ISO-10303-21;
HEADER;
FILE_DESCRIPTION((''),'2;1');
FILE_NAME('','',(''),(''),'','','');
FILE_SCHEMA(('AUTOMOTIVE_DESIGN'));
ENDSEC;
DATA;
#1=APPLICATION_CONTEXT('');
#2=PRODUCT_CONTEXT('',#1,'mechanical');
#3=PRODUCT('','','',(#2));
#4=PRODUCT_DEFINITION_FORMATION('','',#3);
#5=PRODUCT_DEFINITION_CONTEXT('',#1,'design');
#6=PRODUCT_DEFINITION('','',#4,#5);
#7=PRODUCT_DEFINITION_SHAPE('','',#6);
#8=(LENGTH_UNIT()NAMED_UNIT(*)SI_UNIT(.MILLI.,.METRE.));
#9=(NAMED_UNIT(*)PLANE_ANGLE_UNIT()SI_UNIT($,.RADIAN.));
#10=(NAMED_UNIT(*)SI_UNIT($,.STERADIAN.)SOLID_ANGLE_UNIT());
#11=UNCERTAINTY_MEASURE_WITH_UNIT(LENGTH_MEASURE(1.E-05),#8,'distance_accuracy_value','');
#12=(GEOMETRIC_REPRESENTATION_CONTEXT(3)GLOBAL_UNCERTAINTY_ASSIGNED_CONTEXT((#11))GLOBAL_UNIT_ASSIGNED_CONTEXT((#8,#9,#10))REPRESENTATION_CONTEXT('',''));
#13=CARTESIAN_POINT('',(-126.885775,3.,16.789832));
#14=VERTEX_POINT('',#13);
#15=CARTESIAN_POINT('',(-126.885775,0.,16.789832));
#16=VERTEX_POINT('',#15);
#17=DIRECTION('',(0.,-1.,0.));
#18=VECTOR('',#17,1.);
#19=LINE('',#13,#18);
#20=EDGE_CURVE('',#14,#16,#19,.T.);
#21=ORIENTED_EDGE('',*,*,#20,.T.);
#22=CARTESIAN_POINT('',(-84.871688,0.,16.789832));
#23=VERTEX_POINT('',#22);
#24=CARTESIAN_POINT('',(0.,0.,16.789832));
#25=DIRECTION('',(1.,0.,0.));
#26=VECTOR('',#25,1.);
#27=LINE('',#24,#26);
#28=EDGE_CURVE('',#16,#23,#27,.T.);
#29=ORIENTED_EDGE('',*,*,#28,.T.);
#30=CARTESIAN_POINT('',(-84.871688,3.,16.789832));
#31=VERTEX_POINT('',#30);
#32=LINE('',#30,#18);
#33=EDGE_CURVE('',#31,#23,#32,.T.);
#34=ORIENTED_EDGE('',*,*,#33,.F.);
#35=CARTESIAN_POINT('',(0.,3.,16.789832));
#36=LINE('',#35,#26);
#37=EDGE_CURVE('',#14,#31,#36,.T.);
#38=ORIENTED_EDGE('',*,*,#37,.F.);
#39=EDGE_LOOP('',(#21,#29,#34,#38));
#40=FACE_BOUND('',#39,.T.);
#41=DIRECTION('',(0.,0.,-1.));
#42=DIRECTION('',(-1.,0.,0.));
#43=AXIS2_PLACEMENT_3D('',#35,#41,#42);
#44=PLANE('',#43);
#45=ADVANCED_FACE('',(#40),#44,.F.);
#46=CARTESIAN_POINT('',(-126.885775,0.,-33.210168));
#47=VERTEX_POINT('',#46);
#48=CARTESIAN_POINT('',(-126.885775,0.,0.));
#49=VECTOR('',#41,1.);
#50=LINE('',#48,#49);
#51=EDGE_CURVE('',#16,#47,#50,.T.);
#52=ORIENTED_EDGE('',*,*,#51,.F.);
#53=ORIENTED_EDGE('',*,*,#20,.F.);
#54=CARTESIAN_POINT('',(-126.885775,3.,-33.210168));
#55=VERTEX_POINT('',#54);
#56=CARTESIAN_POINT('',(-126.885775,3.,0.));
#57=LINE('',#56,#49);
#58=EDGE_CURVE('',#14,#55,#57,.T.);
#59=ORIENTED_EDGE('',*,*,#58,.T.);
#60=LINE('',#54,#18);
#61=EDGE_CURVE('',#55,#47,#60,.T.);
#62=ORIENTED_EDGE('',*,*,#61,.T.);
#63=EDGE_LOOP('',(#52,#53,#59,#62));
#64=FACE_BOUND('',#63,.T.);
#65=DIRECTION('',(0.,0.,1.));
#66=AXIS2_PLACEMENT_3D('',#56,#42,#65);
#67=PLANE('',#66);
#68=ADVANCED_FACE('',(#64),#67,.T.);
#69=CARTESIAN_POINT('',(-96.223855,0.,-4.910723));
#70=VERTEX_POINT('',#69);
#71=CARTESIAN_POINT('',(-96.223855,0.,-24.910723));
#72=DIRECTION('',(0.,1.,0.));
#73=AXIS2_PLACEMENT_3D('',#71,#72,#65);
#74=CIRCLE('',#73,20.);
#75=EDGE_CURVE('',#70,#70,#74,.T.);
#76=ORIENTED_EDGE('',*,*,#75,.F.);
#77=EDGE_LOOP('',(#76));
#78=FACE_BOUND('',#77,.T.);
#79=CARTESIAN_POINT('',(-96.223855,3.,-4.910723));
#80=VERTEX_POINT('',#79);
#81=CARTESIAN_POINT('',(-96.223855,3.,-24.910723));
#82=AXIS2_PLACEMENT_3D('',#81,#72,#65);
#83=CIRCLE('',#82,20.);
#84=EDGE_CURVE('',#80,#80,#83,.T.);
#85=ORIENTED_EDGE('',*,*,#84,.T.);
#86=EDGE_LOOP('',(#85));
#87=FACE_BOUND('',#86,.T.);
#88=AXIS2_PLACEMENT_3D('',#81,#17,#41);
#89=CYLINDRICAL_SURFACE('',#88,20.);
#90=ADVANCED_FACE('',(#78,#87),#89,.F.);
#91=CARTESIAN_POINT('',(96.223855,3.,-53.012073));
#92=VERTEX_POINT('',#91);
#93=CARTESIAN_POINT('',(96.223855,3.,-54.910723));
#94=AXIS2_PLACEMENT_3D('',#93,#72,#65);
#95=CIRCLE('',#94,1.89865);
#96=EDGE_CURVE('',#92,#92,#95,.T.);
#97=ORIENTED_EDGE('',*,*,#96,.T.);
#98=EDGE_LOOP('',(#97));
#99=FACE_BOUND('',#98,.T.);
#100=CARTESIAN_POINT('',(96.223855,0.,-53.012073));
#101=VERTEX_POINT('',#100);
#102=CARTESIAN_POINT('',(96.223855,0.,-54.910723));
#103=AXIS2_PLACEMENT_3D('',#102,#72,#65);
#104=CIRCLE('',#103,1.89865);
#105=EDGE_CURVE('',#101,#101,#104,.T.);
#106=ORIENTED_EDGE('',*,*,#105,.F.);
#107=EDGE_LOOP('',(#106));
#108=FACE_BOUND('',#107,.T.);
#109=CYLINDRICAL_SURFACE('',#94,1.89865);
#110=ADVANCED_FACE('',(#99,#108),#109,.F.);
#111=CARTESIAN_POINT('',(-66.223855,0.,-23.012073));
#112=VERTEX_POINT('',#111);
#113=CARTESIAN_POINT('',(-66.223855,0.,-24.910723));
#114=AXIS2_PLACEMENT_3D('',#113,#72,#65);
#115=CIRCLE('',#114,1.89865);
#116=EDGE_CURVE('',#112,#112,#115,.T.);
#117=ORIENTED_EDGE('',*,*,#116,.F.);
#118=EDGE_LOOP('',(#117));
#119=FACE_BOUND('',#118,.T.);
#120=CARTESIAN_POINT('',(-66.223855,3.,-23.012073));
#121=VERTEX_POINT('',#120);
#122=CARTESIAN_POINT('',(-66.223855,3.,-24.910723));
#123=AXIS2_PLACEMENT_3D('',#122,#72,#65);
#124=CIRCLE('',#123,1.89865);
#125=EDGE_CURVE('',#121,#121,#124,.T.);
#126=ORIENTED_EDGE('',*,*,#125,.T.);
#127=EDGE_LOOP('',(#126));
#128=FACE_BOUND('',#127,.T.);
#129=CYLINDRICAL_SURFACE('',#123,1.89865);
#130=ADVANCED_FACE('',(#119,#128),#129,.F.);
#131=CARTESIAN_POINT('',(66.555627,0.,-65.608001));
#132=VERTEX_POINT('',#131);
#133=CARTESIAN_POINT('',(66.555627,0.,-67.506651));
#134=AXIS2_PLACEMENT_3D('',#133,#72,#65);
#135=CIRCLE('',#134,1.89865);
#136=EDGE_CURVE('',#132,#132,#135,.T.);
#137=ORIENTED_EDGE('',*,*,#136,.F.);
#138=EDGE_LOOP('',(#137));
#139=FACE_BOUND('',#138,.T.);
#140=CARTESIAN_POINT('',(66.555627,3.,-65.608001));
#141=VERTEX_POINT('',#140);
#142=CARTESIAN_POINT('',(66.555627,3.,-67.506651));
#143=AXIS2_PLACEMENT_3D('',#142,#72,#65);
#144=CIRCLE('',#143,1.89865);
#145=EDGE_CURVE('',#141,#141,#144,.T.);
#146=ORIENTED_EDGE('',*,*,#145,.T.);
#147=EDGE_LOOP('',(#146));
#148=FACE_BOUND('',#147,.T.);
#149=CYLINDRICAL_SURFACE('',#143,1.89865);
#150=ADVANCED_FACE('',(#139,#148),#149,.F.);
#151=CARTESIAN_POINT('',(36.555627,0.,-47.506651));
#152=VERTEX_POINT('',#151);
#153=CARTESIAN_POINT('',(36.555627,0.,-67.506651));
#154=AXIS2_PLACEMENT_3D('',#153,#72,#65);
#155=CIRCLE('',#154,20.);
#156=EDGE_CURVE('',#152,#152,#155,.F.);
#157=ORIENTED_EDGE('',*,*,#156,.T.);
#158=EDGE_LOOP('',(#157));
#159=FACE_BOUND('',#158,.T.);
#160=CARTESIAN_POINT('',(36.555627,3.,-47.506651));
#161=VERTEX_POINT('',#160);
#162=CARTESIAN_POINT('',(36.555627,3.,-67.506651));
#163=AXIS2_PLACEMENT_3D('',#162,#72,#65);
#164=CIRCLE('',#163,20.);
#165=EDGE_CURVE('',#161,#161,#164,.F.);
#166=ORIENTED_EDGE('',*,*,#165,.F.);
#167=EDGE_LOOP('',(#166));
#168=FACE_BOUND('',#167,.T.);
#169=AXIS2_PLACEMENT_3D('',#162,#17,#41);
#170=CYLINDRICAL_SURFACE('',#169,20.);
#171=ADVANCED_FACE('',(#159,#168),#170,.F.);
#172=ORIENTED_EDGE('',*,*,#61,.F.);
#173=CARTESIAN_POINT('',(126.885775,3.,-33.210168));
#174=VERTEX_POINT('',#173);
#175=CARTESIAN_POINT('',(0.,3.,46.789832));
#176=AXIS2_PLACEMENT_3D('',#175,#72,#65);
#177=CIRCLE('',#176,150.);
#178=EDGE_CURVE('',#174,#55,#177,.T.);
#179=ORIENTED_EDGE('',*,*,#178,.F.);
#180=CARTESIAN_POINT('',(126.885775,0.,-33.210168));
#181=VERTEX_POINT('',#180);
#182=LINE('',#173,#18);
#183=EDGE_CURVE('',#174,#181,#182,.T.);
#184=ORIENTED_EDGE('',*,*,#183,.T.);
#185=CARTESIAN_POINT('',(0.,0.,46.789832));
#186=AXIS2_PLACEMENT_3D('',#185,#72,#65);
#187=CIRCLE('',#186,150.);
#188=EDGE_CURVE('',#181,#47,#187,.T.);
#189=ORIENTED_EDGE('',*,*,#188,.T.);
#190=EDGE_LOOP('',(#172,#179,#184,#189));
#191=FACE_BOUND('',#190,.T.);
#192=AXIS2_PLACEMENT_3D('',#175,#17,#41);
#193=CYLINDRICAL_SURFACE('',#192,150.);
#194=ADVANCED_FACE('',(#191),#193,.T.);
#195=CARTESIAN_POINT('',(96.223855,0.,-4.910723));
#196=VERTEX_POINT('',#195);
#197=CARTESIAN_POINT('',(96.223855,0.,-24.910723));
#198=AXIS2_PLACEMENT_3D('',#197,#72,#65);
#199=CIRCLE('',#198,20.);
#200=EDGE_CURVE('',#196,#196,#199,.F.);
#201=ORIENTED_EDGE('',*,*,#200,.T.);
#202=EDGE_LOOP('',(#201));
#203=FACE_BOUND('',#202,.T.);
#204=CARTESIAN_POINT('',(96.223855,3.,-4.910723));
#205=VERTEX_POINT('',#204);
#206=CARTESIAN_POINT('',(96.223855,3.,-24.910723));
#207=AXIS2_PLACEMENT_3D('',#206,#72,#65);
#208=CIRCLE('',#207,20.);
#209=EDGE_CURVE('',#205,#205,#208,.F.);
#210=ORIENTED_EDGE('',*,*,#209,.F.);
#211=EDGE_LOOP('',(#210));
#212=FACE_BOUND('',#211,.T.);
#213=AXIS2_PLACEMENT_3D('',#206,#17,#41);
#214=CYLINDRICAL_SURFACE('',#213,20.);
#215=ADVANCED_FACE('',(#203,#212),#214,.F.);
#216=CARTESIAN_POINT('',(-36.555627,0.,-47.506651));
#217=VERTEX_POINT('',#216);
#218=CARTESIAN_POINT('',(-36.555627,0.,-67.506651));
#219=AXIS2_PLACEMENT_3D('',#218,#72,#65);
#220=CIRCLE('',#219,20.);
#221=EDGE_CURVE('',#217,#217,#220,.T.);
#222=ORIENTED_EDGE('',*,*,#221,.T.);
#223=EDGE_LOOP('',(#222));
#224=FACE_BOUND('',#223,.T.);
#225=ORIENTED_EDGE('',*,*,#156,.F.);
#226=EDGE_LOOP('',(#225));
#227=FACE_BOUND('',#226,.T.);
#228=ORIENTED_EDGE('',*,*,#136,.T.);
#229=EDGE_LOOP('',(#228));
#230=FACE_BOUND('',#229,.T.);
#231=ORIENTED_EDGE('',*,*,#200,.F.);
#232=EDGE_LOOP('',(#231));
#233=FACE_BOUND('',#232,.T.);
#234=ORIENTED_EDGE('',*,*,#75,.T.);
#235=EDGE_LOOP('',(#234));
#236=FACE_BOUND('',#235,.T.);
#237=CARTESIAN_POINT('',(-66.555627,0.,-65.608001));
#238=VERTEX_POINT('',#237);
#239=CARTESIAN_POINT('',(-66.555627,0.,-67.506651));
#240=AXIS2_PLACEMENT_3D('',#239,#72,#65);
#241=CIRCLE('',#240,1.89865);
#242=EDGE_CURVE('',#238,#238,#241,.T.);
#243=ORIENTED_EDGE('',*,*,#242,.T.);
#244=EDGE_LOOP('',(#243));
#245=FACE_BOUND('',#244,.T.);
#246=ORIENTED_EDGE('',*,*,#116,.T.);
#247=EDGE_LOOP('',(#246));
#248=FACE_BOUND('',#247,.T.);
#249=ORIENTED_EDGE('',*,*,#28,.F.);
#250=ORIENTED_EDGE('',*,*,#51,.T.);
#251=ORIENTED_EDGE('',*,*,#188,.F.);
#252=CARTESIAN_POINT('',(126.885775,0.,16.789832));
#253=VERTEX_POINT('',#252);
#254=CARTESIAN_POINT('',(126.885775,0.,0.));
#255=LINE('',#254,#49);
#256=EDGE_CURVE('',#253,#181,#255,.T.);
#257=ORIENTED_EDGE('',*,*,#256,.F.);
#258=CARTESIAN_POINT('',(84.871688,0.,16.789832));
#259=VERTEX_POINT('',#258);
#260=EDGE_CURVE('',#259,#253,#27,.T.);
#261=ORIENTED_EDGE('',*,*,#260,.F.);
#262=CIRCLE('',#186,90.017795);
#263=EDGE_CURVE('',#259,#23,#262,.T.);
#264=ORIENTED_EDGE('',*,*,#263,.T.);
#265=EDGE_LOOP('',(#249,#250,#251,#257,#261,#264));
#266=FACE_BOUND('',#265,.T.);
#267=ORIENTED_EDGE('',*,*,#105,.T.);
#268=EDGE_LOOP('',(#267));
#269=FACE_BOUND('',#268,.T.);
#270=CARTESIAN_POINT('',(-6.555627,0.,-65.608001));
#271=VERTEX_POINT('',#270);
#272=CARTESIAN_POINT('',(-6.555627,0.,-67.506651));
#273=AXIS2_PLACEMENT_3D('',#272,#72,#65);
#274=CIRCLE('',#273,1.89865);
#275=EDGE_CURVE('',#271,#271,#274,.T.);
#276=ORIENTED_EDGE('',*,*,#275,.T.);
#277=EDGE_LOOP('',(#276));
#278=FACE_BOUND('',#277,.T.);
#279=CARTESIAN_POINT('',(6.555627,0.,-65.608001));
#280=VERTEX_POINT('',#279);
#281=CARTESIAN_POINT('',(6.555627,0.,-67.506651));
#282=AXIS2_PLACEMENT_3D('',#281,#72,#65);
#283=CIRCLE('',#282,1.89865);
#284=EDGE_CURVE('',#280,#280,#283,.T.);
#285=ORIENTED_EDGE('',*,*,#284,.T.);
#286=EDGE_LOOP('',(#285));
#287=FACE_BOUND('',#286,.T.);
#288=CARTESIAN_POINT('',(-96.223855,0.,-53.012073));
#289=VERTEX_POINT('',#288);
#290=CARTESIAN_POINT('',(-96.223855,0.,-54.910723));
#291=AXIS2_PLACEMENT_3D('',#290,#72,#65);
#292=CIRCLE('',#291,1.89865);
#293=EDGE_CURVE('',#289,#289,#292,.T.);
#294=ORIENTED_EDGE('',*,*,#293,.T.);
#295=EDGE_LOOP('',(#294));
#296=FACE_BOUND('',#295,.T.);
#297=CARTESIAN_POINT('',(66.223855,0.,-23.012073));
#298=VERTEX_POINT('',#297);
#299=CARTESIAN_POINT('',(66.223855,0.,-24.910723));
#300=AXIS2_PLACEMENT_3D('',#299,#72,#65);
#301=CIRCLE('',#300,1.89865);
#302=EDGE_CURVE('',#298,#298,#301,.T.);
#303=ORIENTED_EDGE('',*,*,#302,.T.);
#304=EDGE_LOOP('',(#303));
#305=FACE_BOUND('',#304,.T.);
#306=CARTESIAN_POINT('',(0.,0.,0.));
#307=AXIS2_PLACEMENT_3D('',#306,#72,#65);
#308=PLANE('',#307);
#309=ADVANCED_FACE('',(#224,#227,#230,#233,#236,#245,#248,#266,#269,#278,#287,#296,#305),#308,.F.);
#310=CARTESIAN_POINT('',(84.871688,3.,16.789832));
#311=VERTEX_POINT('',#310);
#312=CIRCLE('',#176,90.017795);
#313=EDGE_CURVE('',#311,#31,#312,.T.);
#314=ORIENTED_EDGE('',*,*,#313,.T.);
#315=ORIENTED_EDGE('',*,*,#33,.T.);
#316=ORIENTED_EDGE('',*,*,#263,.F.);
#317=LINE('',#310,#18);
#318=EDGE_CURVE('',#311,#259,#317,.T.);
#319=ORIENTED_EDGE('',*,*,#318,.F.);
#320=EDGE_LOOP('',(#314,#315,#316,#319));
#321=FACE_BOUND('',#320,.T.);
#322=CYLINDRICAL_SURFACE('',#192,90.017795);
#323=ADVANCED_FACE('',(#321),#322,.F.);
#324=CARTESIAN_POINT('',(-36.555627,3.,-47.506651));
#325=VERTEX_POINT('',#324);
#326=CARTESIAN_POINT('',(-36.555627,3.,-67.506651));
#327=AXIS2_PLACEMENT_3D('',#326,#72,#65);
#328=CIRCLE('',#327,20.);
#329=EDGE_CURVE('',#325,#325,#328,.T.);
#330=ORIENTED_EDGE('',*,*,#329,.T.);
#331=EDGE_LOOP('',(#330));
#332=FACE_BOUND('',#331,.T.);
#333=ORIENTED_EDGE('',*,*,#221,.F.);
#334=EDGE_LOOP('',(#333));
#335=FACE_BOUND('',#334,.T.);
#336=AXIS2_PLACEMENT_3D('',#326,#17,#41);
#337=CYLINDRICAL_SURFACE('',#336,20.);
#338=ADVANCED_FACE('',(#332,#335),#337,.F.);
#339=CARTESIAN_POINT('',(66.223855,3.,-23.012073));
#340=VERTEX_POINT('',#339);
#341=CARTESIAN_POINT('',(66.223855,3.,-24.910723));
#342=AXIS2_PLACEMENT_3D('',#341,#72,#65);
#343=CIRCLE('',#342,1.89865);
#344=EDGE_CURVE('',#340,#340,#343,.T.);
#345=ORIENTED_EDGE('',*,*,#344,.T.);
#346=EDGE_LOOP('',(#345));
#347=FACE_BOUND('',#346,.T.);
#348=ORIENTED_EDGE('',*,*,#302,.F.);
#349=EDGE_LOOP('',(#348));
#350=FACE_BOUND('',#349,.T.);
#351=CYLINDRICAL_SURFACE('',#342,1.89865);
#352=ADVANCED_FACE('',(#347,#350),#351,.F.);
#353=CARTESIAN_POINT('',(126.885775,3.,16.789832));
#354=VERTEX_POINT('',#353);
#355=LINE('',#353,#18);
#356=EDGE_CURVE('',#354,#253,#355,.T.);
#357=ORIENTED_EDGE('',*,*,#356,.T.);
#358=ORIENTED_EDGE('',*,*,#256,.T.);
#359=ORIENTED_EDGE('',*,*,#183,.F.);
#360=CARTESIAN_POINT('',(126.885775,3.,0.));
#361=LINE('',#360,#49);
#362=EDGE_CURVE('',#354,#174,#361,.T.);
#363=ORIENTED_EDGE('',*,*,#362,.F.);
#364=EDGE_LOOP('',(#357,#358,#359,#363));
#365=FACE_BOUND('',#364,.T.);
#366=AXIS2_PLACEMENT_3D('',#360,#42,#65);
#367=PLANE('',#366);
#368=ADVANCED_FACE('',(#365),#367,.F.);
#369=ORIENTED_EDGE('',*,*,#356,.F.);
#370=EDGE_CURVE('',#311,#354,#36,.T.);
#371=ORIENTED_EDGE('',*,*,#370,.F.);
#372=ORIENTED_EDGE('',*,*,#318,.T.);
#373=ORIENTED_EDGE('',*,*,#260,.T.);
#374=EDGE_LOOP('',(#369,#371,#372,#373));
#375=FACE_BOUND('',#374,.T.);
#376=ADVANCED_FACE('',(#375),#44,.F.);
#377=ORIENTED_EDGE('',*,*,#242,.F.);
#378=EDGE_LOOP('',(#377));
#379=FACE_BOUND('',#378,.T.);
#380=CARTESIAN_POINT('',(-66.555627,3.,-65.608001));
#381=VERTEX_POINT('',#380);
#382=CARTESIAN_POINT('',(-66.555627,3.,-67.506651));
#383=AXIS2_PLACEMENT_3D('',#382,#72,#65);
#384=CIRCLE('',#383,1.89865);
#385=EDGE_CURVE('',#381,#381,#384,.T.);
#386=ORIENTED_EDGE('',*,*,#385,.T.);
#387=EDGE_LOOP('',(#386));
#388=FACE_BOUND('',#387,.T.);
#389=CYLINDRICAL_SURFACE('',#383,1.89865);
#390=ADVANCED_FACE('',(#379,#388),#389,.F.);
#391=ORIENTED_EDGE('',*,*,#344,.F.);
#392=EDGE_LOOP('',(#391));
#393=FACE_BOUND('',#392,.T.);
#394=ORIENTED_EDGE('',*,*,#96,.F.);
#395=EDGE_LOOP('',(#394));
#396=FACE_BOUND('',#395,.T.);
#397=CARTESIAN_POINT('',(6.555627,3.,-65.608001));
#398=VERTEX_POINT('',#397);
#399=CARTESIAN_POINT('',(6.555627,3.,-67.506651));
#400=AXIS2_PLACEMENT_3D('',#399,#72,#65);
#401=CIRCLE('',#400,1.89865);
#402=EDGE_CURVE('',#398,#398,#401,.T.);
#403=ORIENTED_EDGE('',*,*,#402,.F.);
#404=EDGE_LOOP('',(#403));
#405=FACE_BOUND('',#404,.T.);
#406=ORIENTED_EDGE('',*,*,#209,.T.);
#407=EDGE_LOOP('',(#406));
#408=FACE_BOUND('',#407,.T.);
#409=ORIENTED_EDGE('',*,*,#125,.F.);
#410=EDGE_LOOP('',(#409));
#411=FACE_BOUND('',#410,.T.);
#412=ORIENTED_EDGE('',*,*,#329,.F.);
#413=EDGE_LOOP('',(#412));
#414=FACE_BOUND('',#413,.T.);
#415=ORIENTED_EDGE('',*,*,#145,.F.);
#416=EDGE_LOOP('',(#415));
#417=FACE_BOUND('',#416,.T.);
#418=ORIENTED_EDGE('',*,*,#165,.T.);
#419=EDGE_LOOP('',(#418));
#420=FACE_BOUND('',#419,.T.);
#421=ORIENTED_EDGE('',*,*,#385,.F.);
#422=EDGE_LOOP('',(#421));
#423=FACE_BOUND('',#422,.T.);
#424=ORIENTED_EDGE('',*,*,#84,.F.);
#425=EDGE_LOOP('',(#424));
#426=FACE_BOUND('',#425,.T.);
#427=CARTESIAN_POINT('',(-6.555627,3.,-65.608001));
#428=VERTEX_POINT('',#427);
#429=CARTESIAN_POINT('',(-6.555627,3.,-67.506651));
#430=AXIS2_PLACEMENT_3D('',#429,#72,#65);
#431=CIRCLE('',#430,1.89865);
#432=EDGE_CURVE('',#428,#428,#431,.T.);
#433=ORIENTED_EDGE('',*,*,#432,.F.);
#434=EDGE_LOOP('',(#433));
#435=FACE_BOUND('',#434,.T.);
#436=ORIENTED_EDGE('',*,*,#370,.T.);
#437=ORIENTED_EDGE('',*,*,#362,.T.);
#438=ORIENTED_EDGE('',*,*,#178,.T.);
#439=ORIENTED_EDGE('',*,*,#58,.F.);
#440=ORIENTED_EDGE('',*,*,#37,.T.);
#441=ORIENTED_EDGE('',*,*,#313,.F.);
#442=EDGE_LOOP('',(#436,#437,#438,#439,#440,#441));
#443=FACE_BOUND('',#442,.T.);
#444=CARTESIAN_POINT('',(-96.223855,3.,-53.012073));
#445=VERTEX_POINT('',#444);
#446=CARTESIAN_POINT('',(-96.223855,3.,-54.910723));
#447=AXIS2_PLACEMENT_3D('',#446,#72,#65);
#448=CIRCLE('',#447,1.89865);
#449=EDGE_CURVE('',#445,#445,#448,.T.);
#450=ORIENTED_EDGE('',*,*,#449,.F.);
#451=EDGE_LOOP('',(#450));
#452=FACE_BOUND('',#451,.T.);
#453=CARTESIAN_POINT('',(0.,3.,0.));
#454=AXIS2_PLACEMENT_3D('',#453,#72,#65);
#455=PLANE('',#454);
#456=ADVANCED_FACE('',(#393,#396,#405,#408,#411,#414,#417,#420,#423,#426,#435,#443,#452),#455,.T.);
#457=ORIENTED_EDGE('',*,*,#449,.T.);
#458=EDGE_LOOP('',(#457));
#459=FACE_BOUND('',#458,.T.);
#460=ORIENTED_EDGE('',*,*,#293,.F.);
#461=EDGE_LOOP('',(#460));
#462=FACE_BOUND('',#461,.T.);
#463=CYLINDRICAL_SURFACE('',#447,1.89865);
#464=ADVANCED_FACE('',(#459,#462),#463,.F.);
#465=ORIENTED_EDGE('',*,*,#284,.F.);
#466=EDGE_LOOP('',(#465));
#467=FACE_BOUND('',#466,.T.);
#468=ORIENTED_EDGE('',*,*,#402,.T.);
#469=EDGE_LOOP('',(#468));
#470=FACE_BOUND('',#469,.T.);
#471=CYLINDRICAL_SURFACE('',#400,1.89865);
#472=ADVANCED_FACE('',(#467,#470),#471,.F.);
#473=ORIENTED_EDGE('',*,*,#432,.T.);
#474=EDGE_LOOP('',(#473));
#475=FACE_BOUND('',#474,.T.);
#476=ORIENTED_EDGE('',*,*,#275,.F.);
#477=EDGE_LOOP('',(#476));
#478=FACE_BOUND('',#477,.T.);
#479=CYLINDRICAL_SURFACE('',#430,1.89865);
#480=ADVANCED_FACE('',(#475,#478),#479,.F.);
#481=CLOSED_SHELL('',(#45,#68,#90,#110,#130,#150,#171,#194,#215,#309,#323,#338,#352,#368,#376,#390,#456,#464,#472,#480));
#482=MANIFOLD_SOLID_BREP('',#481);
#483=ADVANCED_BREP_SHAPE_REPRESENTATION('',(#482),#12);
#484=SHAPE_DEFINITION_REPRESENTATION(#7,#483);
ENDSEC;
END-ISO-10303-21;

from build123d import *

# Parameters (mm, degrees)
SKETCH3_R              = 20
BOSS_EXTRUDE3_DEPTH    = 3
F_10_24_TAPPED_HOLE1_D = 3.7973


with BuildPart() as part:
    # Sketch3 → Boss-Extrude3 (new body)
    with BuildSketch(Plane(origin=(0, 0, 0), x_dir=(1, 0, 0), z_dir=(0, 1, 0))):
        with BuildLine():
            Line((-126.885775404, -16.789832489), (-84.87168845, -16.789832489))
            ThreePointArc((-84.87168845, -16.789832489), (0, 43.227962976), (84.87168845, -16.789832489))
            Line((84.87168845, -16.789832489), (126.885775404, -16.789832489))
            Line((126.885775404, -16.789832489), (126.885775404, 33.210167511))
            ThreePointArc((126.885775404, 33.210167511), (0, 103.210167511), (-126.885775404, 33.210167511))
            Line((-126.885775404, 33.210167511), (-126.885775404, -16.789832489))
        make_face()
        with Locations(Location((-36.555626875, 67.506651026, 0), (0, 0, 270))):
            Circle(SKETCH3_R, mode=Mode.SUBTRACT)
        with Locations(Location((-96.223855306, 24.910723088, 0), (0, 0, 270))):
            Circle(SKETCH3_R, mode=Mode.SUBTRACT)
        with Locations(Location((36.555626875, 67.506651026, 0), (0, 0, 270))):
            Circle(SKETCH3_R, mode=Mode.SUBTRACT)
        with Locations(Location((96.223855306, 24.910723088, 0), (0, 0, 270))):
            Circle(SKETCH3_R, mode=Mode.SUBTRACT)
    extrude(amount=BOSS_EXTRUDE3_DEPTH)

    # #10-24 Tapped Hole1 (through all)
    with Locations(Plane(origin=(0, 3, 0), x_dir=(1, 0, 0), z_dir=(0, 1, 0))):
        with Locations((-66.223855306, 24.910723088), (-96.223855306, 54.910723088), (-66.555626875, 67.506651026), (-6.555626875, 67.506651026), (6.555626875, 67.506651026), (66.555626875, 67.506651026), (96.223855306, 54.910723088), (66.223855306, 24.910723088)):
            Hole(F_10_24_TAPPED_HOLE1_D / 2)


solid = part.part
